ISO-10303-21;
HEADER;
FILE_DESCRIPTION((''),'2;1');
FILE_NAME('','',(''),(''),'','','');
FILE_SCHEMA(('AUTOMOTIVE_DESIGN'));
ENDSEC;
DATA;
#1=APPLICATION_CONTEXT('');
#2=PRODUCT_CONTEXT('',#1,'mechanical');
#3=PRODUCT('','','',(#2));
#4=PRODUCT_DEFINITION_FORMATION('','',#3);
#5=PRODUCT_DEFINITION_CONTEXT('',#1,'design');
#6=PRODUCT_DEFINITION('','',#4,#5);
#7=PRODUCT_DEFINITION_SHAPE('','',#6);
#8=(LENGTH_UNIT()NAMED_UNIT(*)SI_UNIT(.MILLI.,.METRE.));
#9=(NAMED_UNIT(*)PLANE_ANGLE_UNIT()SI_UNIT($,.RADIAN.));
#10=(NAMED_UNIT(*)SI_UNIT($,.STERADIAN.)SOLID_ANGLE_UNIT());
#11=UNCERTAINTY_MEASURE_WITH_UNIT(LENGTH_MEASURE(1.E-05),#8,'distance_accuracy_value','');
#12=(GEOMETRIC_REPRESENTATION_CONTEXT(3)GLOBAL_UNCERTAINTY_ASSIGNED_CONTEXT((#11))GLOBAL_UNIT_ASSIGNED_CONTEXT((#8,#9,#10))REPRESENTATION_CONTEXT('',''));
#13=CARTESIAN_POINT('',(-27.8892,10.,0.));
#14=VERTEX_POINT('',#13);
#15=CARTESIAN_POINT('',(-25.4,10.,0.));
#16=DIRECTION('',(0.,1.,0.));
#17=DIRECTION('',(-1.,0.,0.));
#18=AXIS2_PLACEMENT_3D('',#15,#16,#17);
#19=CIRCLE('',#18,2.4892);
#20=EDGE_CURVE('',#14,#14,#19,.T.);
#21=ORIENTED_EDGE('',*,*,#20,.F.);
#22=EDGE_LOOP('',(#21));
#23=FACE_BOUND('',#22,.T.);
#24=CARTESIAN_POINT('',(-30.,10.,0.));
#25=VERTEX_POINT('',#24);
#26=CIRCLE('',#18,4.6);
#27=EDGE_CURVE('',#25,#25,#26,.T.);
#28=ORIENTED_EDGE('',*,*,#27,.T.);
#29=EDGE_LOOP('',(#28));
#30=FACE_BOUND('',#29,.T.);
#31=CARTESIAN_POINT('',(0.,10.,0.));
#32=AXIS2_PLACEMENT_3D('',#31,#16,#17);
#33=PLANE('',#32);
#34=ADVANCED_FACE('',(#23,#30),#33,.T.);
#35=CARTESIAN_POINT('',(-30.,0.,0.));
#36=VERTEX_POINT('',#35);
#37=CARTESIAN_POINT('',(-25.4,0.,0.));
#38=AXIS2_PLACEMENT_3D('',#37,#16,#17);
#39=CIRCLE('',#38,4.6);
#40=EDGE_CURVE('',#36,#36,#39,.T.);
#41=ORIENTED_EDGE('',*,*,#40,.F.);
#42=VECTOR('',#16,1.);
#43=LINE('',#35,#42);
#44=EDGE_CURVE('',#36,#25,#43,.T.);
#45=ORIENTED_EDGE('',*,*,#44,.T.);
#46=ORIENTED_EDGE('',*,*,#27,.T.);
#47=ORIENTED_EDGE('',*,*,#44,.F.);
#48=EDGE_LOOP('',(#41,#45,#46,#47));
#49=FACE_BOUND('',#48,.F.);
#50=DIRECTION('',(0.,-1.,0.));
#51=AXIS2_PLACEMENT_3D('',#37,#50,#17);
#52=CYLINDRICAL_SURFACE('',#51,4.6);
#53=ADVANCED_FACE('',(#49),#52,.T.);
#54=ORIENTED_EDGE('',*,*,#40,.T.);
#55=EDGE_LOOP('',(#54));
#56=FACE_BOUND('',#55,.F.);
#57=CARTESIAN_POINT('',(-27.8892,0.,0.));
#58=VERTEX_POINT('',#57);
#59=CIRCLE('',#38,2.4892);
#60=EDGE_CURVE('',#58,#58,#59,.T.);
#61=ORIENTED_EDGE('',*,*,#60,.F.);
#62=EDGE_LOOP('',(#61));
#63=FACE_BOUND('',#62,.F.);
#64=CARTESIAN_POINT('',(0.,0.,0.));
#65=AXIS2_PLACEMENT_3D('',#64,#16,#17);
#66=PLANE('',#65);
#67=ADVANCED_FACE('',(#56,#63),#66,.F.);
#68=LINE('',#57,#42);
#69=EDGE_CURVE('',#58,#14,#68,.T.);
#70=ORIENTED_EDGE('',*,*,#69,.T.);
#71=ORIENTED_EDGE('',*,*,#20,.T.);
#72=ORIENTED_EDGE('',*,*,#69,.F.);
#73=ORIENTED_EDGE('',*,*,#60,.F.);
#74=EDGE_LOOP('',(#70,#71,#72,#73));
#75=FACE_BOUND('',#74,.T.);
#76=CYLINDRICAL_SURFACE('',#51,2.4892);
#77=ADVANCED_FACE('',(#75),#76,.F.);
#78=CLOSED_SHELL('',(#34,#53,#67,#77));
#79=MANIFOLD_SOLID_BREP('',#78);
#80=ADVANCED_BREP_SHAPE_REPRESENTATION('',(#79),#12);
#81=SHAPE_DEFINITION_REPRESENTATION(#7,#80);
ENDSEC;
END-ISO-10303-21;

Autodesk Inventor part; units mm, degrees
ref_plane "YZ Plane" through (0, 0, 0) normal (1, 0, 0) x (0, 1, 0)
ref_plane "XZ Plane" through (0, 0, 0) normal (0, 1, 0) x (-1, 0, 0)
ref_plane "XY Plane" through (0, 0, 0) normal (0, 0, 1) x (1, 0, 0)
sketch "Sketch1" plane through (0, 0, 0) normal (0, 1, 0) x (-1, 0, 0)
  circle A0 centre (0, 0) radius 30 construction
  circle A1 centre (0, 0) radius 25.4 construction
  circle A2 centre (25.4, 0) radius 4.6
  circle A3 centre (25.4, 0) radius 2.4892
  dimension "d1" = 50.8
  dimension "d0" = 60
  dimension "d2" = 4.9784
extrude "Extrusion1" add sketch "Sketch1" along normal blind 10
properties part number "CORL_015_MicroStandoff1" material "Aluminum 6061"
